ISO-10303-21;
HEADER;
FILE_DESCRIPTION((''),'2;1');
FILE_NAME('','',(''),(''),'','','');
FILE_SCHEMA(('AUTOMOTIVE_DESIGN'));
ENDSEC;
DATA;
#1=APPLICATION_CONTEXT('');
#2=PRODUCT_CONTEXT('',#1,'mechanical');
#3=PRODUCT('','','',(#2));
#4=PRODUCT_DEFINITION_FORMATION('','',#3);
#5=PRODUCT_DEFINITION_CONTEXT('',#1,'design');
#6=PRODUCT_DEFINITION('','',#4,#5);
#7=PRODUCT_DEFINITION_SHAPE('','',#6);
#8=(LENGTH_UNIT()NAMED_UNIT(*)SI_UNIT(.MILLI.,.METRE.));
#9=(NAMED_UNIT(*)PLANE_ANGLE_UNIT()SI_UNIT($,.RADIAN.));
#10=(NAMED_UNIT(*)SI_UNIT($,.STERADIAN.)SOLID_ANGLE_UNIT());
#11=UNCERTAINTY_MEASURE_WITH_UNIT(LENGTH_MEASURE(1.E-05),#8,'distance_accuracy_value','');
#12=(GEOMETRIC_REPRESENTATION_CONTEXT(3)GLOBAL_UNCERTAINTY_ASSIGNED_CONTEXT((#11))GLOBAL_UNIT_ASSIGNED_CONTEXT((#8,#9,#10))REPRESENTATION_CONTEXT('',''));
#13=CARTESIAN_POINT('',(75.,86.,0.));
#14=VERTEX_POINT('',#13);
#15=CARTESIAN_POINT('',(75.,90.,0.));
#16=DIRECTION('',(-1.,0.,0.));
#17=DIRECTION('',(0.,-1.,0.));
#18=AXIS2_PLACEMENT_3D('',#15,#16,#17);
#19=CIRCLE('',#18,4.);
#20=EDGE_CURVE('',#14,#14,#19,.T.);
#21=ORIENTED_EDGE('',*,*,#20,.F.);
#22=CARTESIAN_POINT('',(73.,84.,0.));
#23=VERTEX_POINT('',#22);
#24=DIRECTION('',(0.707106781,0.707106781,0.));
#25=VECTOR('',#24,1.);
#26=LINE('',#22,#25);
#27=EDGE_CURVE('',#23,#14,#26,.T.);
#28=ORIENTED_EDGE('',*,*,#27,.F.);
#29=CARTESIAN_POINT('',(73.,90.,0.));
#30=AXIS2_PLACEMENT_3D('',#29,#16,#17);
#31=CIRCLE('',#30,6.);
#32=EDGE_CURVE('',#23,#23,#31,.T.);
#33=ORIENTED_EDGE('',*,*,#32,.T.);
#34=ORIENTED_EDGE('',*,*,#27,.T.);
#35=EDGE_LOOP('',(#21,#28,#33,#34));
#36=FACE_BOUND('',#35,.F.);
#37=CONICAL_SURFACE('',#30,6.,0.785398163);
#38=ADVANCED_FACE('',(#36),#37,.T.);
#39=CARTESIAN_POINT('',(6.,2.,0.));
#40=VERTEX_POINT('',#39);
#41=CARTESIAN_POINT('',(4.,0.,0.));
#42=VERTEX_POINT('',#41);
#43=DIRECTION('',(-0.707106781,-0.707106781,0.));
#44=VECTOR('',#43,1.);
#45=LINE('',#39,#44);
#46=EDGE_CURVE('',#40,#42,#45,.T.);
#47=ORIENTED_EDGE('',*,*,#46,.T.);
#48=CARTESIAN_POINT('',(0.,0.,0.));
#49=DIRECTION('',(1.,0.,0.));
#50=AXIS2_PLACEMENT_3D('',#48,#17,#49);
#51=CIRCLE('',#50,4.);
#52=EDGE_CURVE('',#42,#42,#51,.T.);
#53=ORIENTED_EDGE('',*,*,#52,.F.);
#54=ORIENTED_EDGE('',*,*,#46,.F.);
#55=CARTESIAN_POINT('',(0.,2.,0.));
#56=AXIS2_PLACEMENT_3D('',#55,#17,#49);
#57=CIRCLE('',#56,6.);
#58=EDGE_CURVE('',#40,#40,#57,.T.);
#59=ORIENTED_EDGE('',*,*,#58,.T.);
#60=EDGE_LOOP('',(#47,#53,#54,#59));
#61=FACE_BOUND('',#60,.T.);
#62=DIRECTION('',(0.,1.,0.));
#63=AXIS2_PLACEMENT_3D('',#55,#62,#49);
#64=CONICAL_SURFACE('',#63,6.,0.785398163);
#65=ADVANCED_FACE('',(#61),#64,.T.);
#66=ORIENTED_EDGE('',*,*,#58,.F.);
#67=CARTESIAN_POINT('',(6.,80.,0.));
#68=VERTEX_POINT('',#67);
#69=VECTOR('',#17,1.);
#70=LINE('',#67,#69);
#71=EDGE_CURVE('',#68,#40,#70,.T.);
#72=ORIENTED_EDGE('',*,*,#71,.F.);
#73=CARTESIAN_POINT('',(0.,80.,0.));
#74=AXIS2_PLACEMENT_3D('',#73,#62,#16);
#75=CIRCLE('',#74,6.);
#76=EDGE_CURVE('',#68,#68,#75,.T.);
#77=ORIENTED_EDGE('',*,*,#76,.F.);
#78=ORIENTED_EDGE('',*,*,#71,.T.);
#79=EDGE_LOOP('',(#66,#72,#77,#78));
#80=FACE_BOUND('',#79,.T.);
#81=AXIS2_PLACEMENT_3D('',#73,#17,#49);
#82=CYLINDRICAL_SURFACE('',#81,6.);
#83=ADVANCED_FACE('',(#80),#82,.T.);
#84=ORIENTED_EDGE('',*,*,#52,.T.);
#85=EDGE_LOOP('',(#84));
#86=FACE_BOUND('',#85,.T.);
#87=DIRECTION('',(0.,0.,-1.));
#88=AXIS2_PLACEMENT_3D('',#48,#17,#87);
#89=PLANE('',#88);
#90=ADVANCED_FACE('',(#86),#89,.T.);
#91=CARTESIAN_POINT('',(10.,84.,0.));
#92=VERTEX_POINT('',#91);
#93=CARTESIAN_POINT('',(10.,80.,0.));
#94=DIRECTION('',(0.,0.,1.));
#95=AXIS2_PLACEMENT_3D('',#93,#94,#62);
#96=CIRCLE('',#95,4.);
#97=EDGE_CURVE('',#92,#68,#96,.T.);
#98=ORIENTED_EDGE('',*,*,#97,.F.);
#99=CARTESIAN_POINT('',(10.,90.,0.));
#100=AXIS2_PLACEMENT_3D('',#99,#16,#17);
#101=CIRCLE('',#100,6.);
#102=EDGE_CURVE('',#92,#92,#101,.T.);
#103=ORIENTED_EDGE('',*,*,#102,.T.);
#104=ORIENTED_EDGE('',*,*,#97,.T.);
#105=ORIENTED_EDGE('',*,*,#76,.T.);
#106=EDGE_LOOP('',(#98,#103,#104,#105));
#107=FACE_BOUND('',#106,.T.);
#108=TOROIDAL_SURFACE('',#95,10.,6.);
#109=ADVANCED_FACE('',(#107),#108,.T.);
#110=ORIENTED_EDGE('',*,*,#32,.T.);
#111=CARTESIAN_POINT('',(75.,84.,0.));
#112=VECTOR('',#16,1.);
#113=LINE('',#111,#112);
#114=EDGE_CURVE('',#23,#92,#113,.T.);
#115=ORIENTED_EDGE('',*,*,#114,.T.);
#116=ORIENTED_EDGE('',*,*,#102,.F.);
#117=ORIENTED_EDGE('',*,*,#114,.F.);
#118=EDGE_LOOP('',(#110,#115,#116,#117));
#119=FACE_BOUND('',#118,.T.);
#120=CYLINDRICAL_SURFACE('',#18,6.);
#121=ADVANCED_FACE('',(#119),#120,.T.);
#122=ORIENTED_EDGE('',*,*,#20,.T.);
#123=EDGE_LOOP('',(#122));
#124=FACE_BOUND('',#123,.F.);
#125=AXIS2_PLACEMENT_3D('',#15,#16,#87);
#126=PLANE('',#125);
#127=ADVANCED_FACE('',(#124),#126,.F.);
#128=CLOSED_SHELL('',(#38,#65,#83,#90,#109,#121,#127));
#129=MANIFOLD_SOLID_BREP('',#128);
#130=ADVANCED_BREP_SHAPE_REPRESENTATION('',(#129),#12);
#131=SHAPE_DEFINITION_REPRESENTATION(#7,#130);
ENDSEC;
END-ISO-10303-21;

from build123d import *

# Parameters (mm, degrees)
SWEEP1_PROFILE_R = 6
CHAMFER1_SIZE    = 2


with BuildPart() as part:
    # Sweep1: sweep along a path in Sketch1
    with BuildLine(Plane.XY) as sweep1_path:
        Line((75, 90), (10, 90))
        ThreePointArc((10, 90), (2.928932188, 87.071067812), (0, 80))
        Line((0, 80), (0, 0))
    # Sweep1 profile (on start of the path) → Sweep1 (sweep)
    with BuildSketch(Plane(origin=(75, 90, 0), x_dir=(0, -1, 0), z_dir=(-1, 0, 0))):
        Circle(SWEEP1_PROFILE_R)
    sweep(path=sweep1_path.line)

    # Chamfer1
    chamfer1_edges = [part.edges().sort_by_distance(p)[0] for p in [
        (-6, 0, 0),
        (75, 96, 0),
    ]]
    chamfer(chamfer1_edges, length=CHAMFER1_SIZE)


solid = part.part
